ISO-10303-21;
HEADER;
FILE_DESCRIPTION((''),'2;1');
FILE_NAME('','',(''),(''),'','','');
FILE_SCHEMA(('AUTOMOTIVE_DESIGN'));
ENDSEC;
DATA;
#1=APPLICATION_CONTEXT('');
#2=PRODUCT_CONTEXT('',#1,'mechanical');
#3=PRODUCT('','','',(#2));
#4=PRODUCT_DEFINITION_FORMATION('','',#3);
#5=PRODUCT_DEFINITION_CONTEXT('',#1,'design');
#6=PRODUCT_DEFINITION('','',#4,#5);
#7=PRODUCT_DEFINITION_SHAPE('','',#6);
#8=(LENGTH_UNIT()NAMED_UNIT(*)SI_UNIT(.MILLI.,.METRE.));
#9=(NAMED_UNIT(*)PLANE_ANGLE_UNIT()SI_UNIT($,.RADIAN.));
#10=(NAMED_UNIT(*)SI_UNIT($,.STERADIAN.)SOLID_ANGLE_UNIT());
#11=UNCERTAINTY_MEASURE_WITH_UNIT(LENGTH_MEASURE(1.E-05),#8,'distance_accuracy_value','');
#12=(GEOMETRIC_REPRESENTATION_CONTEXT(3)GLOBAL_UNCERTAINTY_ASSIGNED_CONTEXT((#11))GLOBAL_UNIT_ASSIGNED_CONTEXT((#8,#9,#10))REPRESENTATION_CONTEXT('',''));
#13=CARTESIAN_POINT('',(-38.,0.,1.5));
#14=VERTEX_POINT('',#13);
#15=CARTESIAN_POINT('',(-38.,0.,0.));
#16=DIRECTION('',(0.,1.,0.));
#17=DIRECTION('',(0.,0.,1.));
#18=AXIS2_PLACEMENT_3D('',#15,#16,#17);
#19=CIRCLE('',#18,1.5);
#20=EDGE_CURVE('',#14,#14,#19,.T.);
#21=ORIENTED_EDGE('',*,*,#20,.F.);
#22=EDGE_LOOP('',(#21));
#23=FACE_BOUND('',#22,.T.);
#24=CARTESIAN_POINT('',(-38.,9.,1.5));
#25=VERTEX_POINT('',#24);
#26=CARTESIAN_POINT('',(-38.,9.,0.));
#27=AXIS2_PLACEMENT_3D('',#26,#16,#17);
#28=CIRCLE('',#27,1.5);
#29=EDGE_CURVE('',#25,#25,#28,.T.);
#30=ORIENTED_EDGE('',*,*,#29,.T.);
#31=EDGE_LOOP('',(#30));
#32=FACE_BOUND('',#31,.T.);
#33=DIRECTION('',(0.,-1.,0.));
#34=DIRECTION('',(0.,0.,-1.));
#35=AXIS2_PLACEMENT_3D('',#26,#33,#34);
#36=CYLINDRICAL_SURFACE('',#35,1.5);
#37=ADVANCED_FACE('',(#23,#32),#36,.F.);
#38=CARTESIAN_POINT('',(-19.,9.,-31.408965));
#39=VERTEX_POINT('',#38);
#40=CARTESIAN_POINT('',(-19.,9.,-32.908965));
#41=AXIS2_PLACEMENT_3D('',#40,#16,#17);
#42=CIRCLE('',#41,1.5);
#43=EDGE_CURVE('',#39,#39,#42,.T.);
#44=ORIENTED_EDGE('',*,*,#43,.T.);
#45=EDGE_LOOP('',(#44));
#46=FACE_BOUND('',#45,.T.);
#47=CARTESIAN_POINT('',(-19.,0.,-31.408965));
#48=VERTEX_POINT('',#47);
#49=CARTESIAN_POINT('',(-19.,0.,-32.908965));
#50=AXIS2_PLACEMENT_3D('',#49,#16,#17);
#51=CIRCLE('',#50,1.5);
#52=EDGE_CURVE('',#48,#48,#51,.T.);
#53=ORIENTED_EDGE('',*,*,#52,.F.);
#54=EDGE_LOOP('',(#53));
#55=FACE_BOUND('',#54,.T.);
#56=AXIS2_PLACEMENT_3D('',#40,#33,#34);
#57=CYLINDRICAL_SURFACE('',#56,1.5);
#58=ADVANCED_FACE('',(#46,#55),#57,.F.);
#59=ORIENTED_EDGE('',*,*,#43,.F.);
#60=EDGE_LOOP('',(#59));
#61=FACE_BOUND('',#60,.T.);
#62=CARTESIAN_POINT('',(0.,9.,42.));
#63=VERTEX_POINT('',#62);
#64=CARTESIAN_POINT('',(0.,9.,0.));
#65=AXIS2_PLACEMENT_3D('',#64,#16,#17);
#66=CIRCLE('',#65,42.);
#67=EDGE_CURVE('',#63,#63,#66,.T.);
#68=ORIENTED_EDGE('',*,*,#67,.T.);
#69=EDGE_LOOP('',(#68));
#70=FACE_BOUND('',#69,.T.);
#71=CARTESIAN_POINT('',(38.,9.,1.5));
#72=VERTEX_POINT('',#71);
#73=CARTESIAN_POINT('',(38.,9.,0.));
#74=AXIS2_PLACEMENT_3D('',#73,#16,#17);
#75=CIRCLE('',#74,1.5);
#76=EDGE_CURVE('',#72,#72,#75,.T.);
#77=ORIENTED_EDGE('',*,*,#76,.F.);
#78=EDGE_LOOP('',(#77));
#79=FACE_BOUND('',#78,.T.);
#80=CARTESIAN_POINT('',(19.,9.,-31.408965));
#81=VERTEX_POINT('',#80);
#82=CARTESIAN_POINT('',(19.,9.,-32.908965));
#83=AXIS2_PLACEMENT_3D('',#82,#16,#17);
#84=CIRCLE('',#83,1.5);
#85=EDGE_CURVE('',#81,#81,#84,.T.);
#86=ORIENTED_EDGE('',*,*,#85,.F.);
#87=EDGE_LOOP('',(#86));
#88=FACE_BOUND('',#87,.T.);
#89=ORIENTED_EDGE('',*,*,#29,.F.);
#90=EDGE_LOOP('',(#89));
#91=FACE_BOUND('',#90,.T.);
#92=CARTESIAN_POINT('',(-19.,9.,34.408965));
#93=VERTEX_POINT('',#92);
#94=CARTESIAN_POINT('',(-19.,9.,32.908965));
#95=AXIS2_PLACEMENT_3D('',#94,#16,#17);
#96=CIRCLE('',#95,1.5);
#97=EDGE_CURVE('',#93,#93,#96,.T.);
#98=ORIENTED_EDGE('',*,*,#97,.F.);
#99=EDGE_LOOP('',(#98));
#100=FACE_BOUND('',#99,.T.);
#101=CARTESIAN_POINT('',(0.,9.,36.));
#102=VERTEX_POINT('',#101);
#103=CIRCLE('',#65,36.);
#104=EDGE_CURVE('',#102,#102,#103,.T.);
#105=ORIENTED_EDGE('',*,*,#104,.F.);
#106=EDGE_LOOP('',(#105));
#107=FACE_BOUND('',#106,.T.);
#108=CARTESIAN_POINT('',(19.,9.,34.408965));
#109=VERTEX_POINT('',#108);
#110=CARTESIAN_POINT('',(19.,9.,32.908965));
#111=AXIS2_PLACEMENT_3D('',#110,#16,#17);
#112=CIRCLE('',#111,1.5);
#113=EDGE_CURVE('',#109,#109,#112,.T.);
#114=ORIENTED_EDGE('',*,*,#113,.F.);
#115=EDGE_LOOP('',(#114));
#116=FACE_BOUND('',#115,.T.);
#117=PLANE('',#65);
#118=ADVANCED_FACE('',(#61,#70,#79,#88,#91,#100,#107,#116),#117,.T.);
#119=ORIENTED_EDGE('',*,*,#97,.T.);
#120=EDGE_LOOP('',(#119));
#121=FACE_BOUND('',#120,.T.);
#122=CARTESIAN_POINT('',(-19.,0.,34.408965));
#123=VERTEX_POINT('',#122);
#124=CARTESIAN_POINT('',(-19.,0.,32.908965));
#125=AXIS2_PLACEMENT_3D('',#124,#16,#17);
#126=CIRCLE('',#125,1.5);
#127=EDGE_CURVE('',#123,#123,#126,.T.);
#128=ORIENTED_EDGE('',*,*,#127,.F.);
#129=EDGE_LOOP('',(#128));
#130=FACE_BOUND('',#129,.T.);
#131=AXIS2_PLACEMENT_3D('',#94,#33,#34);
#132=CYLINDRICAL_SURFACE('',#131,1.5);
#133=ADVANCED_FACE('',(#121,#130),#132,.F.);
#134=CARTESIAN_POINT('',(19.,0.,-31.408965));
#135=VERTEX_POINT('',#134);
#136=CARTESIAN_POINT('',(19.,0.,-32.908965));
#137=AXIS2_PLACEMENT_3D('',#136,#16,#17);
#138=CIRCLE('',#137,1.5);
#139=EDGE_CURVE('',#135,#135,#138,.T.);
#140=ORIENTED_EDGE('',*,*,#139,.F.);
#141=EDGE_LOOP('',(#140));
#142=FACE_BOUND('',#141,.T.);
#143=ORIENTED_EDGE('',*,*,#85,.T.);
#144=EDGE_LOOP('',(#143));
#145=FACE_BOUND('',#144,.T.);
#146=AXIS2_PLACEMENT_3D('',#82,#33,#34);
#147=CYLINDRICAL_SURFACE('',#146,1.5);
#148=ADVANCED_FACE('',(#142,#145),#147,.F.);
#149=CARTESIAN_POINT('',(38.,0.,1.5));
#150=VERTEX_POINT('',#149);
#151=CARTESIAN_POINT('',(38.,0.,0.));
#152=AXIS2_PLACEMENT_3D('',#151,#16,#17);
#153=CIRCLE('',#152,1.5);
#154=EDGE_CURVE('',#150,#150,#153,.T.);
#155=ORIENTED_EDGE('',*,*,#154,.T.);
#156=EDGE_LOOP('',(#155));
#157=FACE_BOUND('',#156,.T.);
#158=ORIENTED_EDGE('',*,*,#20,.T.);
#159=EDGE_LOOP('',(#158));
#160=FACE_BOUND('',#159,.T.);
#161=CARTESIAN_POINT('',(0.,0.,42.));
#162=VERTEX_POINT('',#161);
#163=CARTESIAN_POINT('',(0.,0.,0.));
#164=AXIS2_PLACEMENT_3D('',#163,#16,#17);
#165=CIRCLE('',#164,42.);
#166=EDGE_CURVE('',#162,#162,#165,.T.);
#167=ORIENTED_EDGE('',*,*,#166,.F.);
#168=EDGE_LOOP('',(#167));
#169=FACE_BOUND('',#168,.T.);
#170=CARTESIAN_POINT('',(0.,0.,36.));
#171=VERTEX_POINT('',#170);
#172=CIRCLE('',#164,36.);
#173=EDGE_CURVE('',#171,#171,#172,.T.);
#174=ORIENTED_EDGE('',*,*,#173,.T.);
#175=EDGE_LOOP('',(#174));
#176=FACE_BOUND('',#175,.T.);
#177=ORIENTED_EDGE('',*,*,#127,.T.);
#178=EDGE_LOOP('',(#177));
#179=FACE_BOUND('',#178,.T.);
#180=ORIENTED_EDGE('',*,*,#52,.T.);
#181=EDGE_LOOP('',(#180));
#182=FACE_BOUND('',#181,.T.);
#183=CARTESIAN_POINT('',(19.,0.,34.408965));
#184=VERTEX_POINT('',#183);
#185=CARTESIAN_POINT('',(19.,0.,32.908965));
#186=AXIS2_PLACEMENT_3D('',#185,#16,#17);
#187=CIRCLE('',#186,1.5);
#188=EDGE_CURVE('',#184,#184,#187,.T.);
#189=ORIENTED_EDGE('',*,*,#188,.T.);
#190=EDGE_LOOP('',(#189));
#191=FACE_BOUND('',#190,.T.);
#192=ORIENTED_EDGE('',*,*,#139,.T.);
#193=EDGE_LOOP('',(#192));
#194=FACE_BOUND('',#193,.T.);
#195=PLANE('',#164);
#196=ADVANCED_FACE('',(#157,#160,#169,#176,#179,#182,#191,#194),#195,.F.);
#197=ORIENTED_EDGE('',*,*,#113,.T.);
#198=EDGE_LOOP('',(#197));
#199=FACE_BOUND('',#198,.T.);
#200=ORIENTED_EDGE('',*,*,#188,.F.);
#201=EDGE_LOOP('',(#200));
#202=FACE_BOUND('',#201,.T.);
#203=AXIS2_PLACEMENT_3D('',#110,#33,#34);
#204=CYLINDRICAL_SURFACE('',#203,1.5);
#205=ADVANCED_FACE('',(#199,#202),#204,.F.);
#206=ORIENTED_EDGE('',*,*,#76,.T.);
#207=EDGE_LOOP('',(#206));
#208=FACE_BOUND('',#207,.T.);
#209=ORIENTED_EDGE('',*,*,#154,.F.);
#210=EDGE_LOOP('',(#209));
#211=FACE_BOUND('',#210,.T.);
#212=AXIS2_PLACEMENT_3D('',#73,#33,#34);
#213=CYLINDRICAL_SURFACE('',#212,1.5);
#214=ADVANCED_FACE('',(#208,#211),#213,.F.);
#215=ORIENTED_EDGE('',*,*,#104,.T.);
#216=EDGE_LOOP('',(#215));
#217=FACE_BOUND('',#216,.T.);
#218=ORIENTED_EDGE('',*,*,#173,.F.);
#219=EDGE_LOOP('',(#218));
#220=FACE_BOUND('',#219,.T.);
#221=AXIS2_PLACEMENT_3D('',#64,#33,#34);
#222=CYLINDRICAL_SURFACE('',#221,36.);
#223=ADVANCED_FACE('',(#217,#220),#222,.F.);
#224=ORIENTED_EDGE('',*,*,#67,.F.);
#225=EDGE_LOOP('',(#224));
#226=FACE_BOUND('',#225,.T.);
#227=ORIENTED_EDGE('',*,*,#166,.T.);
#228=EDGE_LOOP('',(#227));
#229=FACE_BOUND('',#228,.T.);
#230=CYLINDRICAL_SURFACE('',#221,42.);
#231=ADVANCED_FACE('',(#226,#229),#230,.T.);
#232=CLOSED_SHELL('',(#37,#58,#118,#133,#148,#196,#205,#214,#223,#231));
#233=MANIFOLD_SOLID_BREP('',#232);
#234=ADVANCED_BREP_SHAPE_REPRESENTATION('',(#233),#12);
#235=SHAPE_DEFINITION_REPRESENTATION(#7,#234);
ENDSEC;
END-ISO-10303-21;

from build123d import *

# Parameters (mm, degrees)
SKETCH1_R           = 42
SKETCH1_R_2         = 36
SKETCH1_R_3         = 1.5
BOSS_EXTRUDE1_DEPTH = 9


with BuildPart() as part:
    # Sketch1 → Boss-Extrude1 (new body)
    with BuildSketch(Plane(origin=(0, 0, 0), x_dir=(1, 0, 0), z_dir=(0, 1, 0))):
        with Locations(Location((0, 0, 0), (0, 0, 270))):
            Circle(SKETCH1_R)
        with Locations(Location((0, 0, 0), (0, 0, 270))):
            Circle(SKETCH1_R_2, mode=Mode.SUBTRACT)
        with Locations(Location((19, -32.908965344, 0), (0, 0, 270))):
            Circle(SKETCH1_R_3, mode=Mode.SUBTRACT)
        with Locations(Location((-19, -32.908965344, 0), (0, 0, 270))):
            Circle(SKETCH1_R_3, mode=Mode.SUBTRACT)
        with Locations(Location((-38, 0, 0), (0, 0, 270))):
            Circle(SKETCH1_R_3, mode=Mode.SUBTRACT)
        with Locations(Location((-19, 32.908965344, 0), (0, 0, 270))):
            Circle(SKETCH1_R_3, mode=Mode.SUBTRACT)
        with Locations(Location((19, 32.908965344, 0), (0, 0, 270))):
            Circle(SKETCH1_R_3, mode=Mode.SUBTRACT)
        with Locations(Location((38, 0, 0), (0, 0, 270))):
            Circle(SKETCH1_R_3, mode=Mode.SUBTRACT)
    extrude(amount=BOSS_EXTRUDE1_DEPTH)


solid = part.part
